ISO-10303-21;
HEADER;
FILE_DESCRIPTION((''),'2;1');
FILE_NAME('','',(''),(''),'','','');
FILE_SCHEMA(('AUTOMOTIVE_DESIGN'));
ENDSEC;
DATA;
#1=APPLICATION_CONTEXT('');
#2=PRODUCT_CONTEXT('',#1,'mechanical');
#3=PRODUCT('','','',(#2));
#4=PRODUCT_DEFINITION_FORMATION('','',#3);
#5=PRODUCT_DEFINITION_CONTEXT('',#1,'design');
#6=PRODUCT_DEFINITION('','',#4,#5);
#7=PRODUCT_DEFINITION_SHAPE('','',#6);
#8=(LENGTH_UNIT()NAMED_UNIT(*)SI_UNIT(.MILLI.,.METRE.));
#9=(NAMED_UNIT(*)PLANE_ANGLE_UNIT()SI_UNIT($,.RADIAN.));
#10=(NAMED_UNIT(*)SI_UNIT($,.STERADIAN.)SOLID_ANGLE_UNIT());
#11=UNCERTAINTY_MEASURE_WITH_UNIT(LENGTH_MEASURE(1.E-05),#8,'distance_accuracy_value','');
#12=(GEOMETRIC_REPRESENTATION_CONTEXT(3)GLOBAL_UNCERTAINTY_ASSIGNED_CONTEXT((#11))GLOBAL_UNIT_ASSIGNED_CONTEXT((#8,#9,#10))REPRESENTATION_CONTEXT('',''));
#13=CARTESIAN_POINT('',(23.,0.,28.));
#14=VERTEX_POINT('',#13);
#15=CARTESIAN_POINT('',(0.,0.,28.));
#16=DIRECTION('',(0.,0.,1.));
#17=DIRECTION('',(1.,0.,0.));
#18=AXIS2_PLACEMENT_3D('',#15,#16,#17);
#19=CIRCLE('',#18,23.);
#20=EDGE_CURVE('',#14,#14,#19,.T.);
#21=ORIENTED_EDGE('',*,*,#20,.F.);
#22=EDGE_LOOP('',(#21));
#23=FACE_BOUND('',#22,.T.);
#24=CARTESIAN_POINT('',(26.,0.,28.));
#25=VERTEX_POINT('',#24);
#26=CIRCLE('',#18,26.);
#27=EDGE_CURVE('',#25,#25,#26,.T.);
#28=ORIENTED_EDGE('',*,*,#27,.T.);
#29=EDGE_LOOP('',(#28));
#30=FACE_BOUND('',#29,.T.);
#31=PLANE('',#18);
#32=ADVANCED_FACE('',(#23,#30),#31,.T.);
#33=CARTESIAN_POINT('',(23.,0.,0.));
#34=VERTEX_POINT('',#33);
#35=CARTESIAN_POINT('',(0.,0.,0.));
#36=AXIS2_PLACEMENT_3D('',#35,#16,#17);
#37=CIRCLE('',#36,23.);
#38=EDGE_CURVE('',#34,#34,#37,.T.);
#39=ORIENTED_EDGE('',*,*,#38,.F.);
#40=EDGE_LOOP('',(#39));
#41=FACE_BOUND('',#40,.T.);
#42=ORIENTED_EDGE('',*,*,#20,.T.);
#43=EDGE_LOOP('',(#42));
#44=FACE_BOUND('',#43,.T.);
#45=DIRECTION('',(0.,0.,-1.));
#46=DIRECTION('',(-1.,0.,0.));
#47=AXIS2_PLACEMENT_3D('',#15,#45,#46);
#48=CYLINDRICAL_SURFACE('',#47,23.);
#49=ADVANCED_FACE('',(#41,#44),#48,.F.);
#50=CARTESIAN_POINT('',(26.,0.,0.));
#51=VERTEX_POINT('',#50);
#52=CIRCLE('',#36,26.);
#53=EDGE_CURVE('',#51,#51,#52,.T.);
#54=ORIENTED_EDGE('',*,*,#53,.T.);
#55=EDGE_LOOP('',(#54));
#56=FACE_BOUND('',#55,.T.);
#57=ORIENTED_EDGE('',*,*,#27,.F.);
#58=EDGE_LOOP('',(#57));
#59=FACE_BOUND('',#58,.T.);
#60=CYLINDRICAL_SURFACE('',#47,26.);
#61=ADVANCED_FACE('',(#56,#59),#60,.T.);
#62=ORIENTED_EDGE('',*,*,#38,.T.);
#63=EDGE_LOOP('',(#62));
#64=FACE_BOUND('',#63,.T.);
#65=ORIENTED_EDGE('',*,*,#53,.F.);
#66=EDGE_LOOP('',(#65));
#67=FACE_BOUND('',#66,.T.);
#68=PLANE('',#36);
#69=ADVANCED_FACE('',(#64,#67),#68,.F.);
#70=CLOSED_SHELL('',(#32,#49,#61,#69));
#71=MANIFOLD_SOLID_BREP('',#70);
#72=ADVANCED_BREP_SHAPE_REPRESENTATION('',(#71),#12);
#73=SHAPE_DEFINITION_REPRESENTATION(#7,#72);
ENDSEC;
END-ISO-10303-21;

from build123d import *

# Parameters (mm, degrees)
ESQUISSE1_R        = 26
ESQUISSE1_R_2      = 23
BOSS_EXTRU_1_DEPTH = 28


with BuildPart() as part:
    # Esquisse1 → Boss.-Extru.1 (new body)
    with BuildSketch(Plane.XY):
        Circle(ESQUISSE1_R)
        Circle(ESQUISSE1_R_2, mode=Mode.SUBTRACT)
    extrude(amount=BOSS_EXTRU_1_DEPTH)


solid = part.part
